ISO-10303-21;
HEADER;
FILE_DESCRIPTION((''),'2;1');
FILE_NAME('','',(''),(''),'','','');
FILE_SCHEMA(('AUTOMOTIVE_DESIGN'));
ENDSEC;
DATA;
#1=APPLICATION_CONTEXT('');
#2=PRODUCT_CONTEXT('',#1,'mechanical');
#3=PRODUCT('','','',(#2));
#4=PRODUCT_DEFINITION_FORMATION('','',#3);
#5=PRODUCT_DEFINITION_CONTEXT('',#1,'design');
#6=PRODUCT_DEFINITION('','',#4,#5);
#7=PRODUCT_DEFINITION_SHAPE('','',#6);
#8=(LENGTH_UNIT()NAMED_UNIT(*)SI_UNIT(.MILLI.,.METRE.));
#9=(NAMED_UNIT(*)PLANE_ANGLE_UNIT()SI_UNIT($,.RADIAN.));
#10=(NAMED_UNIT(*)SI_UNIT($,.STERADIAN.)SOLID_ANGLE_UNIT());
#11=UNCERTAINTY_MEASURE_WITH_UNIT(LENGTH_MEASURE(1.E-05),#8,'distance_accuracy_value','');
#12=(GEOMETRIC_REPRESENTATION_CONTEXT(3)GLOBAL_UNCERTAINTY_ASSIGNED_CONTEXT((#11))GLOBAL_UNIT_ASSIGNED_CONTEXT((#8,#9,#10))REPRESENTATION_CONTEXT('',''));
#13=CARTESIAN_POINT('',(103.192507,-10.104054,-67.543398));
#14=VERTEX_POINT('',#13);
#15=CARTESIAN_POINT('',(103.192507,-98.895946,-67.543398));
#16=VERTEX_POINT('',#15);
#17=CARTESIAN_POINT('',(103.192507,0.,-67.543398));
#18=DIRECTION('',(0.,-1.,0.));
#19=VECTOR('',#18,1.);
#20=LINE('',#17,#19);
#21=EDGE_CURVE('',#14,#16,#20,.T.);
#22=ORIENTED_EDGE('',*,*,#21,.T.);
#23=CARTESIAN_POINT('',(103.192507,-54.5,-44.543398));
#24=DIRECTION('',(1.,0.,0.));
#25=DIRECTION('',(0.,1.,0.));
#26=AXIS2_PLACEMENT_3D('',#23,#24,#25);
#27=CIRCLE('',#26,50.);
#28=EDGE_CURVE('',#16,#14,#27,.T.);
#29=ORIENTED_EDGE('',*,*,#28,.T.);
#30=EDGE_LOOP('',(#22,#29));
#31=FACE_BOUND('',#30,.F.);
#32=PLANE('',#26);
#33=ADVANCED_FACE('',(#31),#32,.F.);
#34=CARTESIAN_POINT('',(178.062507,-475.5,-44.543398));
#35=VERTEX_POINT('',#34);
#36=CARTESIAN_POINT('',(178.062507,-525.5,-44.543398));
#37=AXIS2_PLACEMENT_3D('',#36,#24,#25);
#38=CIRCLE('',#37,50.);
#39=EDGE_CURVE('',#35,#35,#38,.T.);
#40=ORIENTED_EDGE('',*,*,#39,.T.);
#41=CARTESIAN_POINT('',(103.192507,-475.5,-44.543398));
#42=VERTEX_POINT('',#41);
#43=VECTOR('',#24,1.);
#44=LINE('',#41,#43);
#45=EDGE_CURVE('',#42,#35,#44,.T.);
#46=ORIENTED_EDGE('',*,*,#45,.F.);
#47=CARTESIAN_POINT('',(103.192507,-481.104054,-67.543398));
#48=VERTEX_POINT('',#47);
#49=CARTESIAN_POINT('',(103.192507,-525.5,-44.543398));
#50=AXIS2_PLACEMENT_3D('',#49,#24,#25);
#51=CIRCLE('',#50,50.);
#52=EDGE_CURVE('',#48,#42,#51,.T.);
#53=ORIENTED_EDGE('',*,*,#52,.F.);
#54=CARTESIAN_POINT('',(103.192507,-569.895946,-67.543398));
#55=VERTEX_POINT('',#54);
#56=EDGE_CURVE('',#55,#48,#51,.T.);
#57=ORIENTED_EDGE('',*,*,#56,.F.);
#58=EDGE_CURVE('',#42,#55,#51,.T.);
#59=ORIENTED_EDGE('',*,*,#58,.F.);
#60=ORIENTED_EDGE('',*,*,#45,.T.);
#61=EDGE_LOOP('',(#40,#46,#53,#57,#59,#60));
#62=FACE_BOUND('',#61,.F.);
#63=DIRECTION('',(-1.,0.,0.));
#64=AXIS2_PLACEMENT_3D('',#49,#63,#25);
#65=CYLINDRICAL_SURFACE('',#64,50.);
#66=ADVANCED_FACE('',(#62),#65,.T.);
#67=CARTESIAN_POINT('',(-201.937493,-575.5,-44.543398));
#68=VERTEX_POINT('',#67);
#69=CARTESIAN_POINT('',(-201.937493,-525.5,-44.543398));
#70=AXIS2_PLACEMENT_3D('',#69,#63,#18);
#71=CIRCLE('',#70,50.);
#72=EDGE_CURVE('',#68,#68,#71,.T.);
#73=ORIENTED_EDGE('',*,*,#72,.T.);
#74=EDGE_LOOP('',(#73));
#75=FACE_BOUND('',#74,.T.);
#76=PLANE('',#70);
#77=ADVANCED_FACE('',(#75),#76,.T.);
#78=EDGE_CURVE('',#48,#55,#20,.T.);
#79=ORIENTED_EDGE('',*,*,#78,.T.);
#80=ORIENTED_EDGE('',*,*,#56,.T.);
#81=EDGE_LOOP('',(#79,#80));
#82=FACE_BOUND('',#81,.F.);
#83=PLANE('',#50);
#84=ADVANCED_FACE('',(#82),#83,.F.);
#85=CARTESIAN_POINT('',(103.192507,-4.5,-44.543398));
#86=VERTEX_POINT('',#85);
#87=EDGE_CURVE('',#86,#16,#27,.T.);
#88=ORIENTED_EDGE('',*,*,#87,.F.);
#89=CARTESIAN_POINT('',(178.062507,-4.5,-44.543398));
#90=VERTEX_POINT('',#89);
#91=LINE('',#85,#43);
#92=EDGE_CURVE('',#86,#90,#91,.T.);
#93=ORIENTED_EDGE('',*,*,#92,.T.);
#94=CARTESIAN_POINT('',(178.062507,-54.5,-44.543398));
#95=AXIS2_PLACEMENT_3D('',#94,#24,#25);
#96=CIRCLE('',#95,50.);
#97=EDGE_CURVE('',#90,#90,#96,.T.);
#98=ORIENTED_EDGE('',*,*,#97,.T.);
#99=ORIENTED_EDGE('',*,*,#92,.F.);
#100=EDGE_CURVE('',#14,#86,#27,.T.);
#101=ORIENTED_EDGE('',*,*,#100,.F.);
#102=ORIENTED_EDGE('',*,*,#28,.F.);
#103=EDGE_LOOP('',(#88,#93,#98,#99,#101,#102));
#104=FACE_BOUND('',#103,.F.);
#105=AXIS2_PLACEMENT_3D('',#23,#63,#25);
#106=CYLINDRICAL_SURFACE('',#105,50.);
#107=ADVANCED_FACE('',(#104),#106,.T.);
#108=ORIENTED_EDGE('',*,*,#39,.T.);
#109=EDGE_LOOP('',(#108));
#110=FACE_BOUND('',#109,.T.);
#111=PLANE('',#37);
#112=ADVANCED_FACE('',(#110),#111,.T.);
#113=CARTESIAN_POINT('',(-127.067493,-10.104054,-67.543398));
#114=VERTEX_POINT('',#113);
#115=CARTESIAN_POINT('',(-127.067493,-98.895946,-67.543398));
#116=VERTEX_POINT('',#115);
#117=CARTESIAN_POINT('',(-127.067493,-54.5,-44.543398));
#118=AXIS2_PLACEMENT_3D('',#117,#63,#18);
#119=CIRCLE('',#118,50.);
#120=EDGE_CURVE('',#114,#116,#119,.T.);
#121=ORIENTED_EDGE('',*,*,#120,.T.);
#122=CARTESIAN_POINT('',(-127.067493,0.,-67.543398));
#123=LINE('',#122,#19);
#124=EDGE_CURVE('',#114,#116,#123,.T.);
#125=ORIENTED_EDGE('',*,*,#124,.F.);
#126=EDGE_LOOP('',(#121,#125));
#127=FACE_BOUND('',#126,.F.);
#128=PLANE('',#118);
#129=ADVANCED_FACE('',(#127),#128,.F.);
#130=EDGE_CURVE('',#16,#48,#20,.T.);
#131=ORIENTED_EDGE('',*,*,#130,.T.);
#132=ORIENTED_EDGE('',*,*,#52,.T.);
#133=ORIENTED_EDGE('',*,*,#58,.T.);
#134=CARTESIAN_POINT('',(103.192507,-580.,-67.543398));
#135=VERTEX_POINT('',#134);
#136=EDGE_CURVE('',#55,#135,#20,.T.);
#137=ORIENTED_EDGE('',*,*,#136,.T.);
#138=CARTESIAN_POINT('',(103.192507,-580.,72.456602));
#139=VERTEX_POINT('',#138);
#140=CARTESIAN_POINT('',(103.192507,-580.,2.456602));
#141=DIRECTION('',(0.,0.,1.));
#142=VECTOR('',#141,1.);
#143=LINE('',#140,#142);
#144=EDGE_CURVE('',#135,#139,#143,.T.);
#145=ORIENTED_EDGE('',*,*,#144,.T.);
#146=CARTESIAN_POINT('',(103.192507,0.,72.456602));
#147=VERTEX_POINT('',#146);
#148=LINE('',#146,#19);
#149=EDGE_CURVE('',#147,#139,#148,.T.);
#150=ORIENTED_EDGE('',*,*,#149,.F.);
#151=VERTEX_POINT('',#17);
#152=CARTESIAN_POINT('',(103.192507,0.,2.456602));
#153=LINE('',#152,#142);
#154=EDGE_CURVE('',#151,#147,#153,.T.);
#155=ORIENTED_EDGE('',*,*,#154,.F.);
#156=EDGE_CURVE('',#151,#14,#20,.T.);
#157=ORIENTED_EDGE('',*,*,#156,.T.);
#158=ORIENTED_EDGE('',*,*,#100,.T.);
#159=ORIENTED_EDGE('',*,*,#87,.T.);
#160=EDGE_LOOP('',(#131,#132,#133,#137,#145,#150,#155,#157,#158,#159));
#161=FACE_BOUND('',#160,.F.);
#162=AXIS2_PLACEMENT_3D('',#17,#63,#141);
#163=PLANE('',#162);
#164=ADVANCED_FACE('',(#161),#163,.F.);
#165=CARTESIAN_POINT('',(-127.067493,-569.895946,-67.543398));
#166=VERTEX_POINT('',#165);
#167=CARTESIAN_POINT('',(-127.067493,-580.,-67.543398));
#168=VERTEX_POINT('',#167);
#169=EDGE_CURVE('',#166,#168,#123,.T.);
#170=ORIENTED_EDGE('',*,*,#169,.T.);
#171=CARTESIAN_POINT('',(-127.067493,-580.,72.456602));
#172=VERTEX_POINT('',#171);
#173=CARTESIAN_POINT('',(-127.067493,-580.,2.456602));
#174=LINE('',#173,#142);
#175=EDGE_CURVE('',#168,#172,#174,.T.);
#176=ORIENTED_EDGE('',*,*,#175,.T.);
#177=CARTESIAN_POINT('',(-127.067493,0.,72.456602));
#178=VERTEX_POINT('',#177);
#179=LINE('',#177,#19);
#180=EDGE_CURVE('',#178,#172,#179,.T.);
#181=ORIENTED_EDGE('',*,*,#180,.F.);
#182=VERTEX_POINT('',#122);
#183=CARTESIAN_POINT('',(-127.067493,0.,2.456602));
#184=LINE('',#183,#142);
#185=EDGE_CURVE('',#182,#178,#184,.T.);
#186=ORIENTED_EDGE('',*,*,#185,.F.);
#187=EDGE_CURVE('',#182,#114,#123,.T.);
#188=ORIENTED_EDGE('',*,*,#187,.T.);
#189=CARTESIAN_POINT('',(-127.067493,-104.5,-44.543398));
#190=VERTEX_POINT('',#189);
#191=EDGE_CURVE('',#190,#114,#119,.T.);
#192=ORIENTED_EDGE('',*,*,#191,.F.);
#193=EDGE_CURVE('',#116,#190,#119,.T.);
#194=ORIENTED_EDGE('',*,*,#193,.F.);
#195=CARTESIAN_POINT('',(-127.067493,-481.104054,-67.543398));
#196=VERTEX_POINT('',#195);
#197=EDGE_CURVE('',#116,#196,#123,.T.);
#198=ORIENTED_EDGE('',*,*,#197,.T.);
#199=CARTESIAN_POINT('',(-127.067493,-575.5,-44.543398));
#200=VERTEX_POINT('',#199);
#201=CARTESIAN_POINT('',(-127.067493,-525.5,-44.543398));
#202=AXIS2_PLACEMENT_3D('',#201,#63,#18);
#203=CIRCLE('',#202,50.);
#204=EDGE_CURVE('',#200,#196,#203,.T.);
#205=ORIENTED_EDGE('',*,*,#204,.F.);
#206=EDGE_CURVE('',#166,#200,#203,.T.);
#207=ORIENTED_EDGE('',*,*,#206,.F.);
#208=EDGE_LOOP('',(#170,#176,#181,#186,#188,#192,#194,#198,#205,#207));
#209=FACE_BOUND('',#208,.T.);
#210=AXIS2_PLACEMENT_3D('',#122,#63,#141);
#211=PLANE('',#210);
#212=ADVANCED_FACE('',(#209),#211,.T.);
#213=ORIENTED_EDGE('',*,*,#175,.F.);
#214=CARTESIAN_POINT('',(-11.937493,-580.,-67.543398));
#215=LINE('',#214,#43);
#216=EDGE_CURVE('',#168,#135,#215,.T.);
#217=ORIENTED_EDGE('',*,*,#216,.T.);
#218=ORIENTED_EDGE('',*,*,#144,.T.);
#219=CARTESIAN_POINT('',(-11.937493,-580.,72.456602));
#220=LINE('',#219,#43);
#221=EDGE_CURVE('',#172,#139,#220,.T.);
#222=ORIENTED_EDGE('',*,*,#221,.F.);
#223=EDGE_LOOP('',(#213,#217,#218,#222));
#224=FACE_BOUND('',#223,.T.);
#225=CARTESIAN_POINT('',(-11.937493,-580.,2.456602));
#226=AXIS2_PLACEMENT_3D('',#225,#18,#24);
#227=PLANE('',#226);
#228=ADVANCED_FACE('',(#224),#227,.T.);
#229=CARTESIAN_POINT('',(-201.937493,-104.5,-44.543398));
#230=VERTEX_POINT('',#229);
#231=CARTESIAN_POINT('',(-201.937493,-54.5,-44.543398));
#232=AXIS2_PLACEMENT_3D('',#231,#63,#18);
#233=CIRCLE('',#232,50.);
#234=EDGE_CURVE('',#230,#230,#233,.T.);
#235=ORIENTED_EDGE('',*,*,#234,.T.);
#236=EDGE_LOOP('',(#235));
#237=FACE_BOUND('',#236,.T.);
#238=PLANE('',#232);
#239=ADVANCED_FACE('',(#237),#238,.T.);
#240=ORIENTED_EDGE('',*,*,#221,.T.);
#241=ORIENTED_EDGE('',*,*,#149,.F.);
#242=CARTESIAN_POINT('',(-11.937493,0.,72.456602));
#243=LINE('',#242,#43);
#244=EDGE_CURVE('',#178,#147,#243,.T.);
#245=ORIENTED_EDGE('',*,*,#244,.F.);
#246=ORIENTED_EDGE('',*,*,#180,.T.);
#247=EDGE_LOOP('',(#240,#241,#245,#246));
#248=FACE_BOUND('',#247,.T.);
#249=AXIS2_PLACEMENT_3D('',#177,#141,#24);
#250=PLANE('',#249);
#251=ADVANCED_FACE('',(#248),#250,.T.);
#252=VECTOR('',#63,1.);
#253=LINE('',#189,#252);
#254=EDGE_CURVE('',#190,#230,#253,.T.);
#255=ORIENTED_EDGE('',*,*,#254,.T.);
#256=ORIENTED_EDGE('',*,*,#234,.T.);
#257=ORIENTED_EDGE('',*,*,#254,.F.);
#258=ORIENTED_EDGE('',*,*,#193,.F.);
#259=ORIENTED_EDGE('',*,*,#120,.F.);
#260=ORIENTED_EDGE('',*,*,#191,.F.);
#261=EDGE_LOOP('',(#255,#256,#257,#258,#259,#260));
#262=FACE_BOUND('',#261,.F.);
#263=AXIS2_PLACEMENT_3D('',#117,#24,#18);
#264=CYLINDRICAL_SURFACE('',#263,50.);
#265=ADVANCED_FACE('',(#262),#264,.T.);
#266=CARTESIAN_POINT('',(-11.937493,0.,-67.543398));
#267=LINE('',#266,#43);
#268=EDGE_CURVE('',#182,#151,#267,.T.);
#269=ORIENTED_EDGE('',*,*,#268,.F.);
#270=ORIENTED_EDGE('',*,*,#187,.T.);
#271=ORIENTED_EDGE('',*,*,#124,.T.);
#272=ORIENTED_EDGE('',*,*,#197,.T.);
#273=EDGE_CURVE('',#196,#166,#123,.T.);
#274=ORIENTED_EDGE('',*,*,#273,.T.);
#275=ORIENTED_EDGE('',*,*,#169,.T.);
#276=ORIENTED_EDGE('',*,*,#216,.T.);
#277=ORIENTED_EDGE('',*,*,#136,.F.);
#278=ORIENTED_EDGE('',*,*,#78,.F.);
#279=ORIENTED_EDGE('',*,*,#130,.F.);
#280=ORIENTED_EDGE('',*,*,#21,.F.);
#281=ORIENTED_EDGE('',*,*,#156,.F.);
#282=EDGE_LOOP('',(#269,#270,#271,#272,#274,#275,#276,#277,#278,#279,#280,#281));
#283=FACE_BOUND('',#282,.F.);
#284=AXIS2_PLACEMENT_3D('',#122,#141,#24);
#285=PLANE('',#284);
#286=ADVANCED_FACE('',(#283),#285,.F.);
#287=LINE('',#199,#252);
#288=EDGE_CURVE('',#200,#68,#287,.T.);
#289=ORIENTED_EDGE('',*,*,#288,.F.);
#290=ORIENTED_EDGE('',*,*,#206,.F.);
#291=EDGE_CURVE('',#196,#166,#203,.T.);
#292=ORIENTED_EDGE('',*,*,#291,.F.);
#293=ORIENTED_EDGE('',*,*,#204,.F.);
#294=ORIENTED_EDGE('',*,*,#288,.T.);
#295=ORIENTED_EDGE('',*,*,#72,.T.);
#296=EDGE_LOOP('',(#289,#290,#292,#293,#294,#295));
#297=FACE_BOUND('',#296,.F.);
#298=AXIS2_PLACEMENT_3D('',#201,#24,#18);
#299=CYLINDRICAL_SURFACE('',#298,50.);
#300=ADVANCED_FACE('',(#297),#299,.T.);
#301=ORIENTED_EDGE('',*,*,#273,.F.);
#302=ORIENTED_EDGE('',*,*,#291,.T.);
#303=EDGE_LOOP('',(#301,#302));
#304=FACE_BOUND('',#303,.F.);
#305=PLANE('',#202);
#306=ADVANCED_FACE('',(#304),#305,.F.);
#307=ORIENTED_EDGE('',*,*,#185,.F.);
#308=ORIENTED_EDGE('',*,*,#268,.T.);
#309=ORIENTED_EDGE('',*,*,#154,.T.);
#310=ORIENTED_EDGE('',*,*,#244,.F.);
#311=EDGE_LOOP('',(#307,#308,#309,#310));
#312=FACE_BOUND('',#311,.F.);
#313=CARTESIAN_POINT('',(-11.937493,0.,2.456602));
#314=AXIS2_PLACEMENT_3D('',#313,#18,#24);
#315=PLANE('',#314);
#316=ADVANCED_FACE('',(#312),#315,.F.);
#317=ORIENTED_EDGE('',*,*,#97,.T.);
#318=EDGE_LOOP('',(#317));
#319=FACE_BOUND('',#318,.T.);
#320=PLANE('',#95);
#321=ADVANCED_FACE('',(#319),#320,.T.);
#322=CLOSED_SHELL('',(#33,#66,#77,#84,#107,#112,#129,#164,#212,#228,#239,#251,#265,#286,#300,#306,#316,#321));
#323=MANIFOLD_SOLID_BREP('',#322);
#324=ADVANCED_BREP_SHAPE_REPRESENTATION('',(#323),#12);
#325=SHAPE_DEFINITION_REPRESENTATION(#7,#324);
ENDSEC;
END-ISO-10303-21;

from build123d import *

# Parameters (mm, degrees)
F0_W     = 230.26
F0_H     = 140
F1_DEPTH = 580
F2_R     = 50
F3_DEPTH = 74.87
F4_R     = 50
F5_DEPTH = 74.87


with BuildPart() as f1:
    # F0 (on Front) → F1 (new body)
    with BuildSketch(Plane.XZ):
        with Locations((-11.937493, 2.456602)):
            Rectangle(F0_W, F0_H)
    extrude(amount=F1_DEPTH)

    # F2 (on face) → F3 (join)
    with BuildSketch(Plane(origin=(-127.067493, 0, 0), x_dir=(0, -1, 0), z_dir=(-1, 0, 0))):
        with Locations((54.5, -44.543398)):
            Circle(F2_R)
        with Locations((525.5, -44.543398)):
            Circle(F2_R)
    extrude(amount=F3_DEPTH)

    # F4 (on face) → F5 (join)
    with BuildSketch(Plane.YZ.offset(103.192507)):
        with Locations((-525.5, -44.543398)):
            Circle(F4_R)
        with Locations((-54.5, -44.543398)):
            Circle(F4_R)
    extrude(amount=F5_DEPTH)


solid = f1.part
